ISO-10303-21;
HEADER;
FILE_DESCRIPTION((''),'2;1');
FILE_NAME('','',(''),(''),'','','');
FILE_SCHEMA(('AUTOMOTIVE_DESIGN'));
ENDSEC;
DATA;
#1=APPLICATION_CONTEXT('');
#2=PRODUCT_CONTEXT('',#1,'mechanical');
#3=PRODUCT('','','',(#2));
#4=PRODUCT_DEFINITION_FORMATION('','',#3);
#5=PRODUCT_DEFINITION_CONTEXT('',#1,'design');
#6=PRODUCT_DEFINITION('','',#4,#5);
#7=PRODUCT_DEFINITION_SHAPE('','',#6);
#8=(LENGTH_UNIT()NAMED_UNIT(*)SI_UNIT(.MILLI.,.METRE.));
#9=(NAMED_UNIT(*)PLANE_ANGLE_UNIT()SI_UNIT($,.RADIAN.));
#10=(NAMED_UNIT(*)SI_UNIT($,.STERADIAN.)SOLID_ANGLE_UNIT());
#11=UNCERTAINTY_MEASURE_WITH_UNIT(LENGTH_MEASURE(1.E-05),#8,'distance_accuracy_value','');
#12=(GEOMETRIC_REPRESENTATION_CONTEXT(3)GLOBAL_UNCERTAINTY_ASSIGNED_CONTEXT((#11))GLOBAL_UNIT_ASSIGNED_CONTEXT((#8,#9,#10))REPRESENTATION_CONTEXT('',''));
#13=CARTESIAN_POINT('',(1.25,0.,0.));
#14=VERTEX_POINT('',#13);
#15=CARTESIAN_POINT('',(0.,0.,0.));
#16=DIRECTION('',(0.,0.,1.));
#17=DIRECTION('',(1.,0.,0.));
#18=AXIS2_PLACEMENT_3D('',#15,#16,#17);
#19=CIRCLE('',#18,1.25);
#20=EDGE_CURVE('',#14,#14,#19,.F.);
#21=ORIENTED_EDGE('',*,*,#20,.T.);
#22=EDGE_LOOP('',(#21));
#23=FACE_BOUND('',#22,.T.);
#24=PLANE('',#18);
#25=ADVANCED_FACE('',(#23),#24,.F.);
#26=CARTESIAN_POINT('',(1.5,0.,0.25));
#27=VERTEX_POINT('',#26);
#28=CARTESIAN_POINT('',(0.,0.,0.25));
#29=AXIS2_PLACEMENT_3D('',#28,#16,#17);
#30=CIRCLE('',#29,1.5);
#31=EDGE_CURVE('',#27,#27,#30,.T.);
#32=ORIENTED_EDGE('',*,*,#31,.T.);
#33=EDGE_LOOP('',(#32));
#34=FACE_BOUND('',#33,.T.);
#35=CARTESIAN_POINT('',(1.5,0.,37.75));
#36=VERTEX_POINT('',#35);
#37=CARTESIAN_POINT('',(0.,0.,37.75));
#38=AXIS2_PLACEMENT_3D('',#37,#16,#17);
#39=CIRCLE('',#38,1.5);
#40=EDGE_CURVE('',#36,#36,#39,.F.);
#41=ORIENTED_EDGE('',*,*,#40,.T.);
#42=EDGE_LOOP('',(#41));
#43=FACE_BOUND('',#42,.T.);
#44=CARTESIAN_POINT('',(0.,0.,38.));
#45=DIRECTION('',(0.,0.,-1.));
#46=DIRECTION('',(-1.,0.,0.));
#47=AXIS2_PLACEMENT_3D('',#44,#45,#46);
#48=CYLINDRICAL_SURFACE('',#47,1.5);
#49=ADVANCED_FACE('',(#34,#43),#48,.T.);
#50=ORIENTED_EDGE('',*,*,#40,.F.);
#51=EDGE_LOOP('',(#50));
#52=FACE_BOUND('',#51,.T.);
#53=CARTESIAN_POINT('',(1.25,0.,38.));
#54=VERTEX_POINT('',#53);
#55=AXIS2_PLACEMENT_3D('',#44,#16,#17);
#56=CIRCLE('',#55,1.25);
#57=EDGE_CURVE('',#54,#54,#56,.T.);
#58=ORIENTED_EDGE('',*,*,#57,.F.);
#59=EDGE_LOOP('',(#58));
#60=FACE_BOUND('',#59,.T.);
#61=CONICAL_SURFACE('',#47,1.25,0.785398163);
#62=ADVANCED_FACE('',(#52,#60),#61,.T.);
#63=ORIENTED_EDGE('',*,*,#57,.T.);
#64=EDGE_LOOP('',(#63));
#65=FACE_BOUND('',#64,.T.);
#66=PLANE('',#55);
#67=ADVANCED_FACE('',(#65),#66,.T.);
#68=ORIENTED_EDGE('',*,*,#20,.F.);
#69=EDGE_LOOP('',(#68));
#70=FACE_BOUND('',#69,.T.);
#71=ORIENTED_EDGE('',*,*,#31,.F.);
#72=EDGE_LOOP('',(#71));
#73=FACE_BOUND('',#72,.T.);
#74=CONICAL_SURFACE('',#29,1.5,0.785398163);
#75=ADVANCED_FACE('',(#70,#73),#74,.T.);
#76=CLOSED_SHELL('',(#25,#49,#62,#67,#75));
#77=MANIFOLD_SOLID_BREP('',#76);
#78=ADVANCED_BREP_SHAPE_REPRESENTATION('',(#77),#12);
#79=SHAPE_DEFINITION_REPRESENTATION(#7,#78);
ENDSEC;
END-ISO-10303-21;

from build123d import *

# Parameters (mm, degrees)
SCHIZZO1_R                   = 1.5
ESTRUSIONE_ESTRUSIONE1_DEPTH = 38
SMUSSO1_SIZE                 = 0.25


with BuildPart() as part:
    # Schizzo1 → Estrusione-Estrusione1 (new body)
    with BuildSketch(Plane.XY):
        Circle(SCHIZZO1_R)
    extrude(amount=ESTRUSIONE_ESTRUSIONE1_DEPTH)

    # Smusso1
    smusso1_edges = [part.edges().sort_by_distance(p)[0] for p in [
        (-1.5, 0, 0),
        (-1.5, 0, 38),
    ]]
    chamfer(smusso1_edges, length=SMUSSO1_SIZE)


solid = part.part
